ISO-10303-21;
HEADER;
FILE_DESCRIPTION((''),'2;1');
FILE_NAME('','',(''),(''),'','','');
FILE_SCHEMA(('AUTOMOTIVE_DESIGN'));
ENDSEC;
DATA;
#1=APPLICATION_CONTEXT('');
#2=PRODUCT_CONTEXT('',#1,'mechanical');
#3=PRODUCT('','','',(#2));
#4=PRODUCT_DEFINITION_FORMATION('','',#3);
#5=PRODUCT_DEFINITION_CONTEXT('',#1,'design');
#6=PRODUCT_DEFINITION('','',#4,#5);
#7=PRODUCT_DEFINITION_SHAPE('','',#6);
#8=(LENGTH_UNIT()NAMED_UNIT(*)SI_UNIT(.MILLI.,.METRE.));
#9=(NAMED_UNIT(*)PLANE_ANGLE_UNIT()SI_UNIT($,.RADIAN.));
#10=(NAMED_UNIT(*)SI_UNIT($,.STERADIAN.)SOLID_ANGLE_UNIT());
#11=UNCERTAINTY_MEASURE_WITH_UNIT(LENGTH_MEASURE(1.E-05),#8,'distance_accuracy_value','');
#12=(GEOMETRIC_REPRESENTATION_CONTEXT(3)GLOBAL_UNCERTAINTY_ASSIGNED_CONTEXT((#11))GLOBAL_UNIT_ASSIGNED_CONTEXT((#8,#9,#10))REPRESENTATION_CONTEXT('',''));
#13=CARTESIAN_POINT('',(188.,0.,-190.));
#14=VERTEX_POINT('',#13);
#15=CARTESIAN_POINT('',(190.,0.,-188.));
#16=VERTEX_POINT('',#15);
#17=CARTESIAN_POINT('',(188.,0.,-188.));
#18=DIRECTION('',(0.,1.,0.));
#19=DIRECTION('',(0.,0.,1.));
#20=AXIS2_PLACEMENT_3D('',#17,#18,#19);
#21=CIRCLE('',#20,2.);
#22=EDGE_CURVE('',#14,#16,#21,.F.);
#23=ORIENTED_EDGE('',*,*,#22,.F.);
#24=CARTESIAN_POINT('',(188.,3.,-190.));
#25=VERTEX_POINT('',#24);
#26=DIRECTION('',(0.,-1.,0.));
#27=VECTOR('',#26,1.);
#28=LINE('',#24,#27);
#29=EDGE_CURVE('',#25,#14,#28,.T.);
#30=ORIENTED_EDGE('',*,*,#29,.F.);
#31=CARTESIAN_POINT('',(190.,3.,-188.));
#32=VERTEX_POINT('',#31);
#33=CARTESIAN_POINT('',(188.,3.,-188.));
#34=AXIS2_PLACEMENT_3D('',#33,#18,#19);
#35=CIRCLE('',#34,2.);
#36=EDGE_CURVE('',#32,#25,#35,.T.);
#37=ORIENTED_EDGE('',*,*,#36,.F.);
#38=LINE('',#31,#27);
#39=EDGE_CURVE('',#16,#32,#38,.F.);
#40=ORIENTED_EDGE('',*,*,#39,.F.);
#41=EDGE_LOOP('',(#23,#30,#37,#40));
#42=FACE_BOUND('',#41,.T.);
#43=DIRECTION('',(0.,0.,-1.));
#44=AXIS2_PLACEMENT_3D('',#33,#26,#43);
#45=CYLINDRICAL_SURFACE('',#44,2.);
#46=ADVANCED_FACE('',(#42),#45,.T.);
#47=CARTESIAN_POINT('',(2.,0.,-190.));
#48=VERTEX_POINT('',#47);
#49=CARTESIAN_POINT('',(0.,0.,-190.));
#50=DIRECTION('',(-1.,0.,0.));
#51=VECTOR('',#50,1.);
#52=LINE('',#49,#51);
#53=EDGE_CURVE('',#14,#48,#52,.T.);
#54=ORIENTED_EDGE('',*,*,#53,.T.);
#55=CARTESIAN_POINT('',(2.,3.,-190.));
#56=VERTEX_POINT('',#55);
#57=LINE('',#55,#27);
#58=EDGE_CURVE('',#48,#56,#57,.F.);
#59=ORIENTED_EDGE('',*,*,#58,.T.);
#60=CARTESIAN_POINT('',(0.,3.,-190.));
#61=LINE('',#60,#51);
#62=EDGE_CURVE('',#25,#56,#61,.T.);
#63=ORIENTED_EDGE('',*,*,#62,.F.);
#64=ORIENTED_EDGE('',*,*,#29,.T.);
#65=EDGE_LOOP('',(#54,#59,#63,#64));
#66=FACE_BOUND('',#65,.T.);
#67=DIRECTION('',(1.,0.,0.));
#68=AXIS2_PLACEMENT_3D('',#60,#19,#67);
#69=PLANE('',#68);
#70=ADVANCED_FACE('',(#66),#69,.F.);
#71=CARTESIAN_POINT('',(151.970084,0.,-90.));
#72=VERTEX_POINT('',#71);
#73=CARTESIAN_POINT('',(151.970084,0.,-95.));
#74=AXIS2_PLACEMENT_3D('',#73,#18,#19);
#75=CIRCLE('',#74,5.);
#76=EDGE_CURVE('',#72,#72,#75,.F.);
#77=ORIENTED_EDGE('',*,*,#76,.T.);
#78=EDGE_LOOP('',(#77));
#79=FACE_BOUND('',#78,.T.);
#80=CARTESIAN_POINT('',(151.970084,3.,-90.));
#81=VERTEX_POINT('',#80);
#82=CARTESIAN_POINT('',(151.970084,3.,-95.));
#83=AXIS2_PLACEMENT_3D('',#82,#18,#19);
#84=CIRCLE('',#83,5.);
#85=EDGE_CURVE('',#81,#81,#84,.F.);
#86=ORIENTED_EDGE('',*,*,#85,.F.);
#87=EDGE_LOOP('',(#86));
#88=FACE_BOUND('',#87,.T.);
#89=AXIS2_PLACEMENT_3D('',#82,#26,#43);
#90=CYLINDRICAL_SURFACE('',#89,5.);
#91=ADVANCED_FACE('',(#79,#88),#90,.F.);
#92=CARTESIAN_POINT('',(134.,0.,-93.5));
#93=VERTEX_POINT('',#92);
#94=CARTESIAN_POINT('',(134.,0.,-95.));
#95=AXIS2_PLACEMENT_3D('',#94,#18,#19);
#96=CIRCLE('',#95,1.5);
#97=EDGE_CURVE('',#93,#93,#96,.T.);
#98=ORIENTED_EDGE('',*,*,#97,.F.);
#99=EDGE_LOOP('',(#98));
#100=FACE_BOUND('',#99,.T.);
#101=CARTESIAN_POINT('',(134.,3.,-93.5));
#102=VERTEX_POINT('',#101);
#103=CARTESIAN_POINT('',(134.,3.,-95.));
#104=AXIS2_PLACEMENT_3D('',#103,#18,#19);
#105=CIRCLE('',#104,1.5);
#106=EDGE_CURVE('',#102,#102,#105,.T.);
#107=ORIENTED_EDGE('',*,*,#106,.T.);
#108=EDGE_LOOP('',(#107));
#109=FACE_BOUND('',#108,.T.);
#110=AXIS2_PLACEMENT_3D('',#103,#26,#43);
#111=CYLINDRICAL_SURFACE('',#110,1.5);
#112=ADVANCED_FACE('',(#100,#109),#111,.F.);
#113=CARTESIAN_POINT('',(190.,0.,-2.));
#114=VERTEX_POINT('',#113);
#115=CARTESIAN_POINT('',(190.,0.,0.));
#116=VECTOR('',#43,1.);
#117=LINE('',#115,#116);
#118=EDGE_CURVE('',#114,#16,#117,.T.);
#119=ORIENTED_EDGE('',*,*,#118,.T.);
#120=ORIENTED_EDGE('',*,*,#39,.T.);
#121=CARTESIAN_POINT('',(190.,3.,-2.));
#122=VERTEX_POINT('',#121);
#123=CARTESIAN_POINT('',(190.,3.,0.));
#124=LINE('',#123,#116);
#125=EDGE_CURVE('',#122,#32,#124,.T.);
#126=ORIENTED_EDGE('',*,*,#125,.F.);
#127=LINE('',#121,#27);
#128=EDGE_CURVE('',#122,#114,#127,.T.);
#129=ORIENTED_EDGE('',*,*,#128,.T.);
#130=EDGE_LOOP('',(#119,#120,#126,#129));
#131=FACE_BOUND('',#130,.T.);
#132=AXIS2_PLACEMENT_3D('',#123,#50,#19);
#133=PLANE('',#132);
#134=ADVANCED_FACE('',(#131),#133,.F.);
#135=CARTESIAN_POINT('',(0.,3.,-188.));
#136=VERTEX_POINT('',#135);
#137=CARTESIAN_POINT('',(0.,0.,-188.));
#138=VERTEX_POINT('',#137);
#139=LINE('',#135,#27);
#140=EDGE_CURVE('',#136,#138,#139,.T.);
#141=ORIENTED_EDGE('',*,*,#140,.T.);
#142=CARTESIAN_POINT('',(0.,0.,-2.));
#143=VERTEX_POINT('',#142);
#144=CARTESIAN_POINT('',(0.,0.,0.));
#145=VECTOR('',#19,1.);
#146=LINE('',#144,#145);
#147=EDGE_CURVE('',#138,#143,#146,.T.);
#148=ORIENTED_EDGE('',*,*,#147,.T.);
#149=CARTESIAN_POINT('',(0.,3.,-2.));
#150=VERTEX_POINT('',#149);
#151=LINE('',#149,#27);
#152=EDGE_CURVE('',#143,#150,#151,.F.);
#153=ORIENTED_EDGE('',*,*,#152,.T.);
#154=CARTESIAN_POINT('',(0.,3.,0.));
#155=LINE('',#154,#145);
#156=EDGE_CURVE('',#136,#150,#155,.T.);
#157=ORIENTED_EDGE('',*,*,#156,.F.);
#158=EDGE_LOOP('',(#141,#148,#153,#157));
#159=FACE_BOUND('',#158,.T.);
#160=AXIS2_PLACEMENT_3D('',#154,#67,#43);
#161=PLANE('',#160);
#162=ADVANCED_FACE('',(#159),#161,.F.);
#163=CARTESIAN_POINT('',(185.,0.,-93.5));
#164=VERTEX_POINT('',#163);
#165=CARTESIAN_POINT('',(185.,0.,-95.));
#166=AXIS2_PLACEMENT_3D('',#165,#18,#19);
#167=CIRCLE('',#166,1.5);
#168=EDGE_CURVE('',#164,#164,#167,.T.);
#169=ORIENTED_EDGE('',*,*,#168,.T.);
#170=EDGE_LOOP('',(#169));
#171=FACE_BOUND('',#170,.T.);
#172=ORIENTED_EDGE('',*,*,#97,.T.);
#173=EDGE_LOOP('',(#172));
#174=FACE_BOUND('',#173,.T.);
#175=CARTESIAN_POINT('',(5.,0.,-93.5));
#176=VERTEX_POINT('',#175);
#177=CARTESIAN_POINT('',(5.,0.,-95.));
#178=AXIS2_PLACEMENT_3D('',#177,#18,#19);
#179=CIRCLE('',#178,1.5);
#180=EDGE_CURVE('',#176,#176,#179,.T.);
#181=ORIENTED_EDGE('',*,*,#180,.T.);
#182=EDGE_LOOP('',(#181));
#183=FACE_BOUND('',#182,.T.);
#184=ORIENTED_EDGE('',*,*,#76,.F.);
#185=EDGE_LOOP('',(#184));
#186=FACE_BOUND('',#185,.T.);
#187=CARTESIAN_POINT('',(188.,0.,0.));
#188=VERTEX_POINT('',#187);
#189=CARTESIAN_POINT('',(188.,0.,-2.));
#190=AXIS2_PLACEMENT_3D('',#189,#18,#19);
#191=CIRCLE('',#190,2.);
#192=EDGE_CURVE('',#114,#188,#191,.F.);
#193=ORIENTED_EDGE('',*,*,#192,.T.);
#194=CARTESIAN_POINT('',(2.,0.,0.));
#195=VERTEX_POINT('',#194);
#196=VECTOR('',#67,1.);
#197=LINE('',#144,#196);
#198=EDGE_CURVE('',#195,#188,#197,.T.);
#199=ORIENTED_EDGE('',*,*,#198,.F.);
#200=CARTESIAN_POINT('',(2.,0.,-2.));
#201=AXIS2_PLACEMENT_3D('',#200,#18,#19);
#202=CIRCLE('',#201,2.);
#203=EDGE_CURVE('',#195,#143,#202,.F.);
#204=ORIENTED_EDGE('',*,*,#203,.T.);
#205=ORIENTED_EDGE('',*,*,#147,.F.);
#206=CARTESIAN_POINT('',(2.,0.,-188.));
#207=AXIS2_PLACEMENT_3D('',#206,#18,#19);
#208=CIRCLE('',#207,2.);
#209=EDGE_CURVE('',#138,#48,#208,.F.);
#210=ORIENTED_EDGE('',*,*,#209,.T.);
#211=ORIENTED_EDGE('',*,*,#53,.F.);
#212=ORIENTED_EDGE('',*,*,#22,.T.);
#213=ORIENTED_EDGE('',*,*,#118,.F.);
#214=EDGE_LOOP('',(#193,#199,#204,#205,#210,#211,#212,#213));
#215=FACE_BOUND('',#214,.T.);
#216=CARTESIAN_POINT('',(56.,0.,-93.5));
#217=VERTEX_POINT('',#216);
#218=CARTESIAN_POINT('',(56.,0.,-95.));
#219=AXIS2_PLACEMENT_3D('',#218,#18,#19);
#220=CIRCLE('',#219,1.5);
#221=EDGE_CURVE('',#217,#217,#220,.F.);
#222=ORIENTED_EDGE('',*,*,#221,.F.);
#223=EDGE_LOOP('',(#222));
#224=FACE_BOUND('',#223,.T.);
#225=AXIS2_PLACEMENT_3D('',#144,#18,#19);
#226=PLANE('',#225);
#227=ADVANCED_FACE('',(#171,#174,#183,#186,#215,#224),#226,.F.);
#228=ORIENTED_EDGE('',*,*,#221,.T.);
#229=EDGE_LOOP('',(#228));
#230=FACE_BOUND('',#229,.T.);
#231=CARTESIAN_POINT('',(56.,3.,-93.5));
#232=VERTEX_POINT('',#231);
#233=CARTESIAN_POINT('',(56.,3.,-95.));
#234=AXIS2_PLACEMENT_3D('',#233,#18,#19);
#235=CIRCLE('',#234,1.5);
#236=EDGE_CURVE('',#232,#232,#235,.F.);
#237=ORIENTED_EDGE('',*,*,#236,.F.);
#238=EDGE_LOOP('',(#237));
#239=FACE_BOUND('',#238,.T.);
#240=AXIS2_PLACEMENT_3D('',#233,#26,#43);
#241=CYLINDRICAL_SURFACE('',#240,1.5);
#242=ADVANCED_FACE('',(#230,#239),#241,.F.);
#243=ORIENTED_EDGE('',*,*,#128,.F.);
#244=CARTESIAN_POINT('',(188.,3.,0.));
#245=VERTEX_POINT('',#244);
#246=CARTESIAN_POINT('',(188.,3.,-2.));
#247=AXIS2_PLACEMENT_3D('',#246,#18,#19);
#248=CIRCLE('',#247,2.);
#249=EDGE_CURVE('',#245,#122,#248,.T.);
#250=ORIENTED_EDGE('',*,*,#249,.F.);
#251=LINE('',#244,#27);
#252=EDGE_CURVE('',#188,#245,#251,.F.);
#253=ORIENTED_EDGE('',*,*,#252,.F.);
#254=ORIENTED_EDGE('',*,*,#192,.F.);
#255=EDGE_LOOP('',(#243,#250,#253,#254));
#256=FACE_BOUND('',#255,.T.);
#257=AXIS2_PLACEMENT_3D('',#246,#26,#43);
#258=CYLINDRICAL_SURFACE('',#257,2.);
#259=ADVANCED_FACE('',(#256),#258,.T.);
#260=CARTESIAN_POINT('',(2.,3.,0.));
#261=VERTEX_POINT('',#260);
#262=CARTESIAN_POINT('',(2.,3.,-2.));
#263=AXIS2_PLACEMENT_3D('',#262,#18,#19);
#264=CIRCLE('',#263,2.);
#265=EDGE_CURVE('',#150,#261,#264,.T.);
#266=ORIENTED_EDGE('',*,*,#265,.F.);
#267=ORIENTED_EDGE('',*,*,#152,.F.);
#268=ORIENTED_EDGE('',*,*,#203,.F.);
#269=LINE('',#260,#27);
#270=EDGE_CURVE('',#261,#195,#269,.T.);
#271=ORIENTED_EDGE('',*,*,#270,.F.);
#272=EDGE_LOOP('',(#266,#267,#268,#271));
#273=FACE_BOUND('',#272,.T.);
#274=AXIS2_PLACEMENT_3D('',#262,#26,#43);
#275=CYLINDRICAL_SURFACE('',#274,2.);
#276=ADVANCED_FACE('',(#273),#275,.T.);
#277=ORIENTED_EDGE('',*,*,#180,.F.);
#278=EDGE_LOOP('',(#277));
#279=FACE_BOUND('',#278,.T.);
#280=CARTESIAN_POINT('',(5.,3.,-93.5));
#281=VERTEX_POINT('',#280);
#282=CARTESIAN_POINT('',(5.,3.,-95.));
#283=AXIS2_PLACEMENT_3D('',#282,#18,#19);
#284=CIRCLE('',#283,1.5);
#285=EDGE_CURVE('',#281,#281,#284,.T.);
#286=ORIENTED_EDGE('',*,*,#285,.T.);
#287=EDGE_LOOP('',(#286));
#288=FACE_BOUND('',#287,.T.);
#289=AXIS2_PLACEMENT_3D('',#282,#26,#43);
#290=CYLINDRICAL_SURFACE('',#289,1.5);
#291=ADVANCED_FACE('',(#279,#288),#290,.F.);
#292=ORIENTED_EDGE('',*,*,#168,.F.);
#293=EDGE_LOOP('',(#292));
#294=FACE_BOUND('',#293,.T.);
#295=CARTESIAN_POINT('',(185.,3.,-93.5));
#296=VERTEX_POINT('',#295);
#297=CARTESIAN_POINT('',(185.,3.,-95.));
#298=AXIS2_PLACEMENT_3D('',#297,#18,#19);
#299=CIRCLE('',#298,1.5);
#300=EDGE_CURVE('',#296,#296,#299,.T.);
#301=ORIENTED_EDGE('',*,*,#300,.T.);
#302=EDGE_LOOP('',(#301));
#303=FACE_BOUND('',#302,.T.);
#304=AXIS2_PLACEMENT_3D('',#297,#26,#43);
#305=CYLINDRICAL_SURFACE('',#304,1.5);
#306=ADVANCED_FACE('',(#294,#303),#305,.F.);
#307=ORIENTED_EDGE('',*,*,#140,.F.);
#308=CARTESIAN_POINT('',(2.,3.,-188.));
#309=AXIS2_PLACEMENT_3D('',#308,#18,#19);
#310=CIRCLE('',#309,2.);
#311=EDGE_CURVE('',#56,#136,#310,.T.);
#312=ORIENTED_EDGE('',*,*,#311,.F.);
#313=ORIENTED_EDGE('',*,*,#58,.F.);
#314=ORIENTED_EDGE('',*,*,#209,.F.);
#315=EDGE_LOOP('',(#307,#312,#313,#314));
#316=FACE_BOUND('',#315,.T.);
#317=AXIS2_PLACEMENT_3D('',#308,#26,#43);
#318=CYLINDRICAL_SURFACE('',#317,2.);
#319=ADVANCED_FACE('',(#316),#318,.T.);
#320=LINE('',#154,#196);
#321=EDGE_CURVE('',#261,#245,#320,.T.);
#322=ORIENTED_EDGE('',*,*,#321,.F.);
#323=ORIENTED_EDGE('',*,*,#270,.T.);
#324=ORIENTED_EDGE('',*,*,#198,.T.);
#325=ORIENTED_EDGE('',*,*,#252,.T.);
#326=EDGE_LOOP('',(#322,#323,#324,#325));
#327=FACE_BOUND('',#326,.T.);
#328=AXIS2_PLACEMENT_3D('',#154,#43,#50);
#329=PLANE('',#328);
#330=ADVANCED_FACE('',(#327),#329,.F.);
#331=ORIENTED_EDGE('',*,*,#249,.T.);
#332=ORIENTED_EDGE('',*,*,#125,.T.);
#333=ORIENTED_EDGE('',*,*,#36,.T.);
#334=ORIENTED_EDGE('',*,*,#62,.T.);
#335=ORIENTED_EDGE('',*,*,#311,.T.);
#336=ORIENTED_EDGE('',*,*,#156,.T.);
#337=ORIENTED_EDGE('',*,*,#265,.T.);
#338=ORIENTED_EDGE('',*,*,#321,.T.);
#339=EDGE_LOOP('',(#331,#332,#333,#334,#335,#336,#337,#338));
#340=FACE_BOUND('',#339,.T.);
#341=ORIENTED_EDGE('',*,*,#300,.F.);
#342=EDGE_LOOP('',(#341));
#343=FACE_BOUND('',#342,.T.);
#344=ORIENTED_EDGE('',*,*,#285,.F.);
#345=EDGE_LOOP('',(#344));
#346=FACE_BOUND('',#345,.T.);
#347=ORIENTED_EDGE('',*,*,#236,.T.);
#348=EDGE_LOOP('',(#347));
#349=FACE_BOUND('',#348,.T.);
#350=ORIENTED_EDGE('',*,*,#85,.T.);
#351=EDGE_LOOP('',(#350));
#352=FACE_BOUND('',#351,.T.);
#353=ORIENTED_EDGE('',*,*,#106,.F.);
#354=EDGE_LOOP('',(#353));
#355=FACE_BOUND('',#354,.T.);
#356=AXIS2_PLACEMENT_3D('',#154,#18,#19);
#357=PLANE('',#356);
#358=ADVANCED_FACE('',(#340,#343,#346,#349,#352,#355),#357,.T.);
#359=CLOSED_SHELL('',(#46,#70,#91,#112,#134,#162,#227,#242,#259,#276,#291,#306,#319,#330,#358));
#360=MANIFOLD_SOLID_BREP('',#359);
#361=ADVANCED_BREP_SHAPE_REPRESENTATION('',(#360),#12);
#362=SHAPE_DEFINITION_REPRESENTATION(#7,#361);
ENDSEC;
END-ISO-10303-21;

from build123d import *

# Parameters (mm, degrees)
SKETCH1_W           = 190
SKETCH1_H           = 190
SKETCH1_R           = 1.5
SKETCH1_R_2         = 5
BOSS_EXTRUDE1_DEPTH = 3
FILLET1_R           = 2


with BuildPart() as part:
    # Sketch1 → Boss-Extrude1 (new body)
    with BuildSketch(Plane(origin=(0, 0, 0), x_dir=(1, 0, 0), z_dir=(0, 1, 0))):
        with Locations((95, 95)):
            Rectangle(SKETCH1_W, SKETCH1_H)
        with Locations(Location((185, 95, 0), (0, 0, 270))):
            Circle(SKETCH1_R, mode=Mode.SUBTRACT)
        with Locations(Location((5, 95, 0), (0, 0, 270))):
            Circle(SKETCH1_R, mode=Mode.SUBTRACT)
        with Locations(Location((134, 95, 0), (0, 0, 270))):
            Circle(SKETCH1_R, mode=Mode.SUBTRACT)
        with Locations(Location((56, 95, 0), (0, 0, 270))):
            Circle(SKETCH1_R, mode=Mode.SUBTRACT)
        with Locations(Location((151.970083663, 95, 0), (0, 0, 270))):
            Circle(SKETCH1_R_2, mode=Mode.SUBTRACT)
    extrude(amount=BOSS_EXTRUDE1_DEPTH)

    # Fillet1
    fillet1_edges = [part.edges().sort_by_distance(p)[0] for p in [
        (190, 1.5, -190),
        (190, 1.5, 0),
        (0, 1.5, 0),
        (0, 1.5, -190),
    ]]
    fillet(fillet1_edges, radius=FILLET1_R)


solid = part.part
